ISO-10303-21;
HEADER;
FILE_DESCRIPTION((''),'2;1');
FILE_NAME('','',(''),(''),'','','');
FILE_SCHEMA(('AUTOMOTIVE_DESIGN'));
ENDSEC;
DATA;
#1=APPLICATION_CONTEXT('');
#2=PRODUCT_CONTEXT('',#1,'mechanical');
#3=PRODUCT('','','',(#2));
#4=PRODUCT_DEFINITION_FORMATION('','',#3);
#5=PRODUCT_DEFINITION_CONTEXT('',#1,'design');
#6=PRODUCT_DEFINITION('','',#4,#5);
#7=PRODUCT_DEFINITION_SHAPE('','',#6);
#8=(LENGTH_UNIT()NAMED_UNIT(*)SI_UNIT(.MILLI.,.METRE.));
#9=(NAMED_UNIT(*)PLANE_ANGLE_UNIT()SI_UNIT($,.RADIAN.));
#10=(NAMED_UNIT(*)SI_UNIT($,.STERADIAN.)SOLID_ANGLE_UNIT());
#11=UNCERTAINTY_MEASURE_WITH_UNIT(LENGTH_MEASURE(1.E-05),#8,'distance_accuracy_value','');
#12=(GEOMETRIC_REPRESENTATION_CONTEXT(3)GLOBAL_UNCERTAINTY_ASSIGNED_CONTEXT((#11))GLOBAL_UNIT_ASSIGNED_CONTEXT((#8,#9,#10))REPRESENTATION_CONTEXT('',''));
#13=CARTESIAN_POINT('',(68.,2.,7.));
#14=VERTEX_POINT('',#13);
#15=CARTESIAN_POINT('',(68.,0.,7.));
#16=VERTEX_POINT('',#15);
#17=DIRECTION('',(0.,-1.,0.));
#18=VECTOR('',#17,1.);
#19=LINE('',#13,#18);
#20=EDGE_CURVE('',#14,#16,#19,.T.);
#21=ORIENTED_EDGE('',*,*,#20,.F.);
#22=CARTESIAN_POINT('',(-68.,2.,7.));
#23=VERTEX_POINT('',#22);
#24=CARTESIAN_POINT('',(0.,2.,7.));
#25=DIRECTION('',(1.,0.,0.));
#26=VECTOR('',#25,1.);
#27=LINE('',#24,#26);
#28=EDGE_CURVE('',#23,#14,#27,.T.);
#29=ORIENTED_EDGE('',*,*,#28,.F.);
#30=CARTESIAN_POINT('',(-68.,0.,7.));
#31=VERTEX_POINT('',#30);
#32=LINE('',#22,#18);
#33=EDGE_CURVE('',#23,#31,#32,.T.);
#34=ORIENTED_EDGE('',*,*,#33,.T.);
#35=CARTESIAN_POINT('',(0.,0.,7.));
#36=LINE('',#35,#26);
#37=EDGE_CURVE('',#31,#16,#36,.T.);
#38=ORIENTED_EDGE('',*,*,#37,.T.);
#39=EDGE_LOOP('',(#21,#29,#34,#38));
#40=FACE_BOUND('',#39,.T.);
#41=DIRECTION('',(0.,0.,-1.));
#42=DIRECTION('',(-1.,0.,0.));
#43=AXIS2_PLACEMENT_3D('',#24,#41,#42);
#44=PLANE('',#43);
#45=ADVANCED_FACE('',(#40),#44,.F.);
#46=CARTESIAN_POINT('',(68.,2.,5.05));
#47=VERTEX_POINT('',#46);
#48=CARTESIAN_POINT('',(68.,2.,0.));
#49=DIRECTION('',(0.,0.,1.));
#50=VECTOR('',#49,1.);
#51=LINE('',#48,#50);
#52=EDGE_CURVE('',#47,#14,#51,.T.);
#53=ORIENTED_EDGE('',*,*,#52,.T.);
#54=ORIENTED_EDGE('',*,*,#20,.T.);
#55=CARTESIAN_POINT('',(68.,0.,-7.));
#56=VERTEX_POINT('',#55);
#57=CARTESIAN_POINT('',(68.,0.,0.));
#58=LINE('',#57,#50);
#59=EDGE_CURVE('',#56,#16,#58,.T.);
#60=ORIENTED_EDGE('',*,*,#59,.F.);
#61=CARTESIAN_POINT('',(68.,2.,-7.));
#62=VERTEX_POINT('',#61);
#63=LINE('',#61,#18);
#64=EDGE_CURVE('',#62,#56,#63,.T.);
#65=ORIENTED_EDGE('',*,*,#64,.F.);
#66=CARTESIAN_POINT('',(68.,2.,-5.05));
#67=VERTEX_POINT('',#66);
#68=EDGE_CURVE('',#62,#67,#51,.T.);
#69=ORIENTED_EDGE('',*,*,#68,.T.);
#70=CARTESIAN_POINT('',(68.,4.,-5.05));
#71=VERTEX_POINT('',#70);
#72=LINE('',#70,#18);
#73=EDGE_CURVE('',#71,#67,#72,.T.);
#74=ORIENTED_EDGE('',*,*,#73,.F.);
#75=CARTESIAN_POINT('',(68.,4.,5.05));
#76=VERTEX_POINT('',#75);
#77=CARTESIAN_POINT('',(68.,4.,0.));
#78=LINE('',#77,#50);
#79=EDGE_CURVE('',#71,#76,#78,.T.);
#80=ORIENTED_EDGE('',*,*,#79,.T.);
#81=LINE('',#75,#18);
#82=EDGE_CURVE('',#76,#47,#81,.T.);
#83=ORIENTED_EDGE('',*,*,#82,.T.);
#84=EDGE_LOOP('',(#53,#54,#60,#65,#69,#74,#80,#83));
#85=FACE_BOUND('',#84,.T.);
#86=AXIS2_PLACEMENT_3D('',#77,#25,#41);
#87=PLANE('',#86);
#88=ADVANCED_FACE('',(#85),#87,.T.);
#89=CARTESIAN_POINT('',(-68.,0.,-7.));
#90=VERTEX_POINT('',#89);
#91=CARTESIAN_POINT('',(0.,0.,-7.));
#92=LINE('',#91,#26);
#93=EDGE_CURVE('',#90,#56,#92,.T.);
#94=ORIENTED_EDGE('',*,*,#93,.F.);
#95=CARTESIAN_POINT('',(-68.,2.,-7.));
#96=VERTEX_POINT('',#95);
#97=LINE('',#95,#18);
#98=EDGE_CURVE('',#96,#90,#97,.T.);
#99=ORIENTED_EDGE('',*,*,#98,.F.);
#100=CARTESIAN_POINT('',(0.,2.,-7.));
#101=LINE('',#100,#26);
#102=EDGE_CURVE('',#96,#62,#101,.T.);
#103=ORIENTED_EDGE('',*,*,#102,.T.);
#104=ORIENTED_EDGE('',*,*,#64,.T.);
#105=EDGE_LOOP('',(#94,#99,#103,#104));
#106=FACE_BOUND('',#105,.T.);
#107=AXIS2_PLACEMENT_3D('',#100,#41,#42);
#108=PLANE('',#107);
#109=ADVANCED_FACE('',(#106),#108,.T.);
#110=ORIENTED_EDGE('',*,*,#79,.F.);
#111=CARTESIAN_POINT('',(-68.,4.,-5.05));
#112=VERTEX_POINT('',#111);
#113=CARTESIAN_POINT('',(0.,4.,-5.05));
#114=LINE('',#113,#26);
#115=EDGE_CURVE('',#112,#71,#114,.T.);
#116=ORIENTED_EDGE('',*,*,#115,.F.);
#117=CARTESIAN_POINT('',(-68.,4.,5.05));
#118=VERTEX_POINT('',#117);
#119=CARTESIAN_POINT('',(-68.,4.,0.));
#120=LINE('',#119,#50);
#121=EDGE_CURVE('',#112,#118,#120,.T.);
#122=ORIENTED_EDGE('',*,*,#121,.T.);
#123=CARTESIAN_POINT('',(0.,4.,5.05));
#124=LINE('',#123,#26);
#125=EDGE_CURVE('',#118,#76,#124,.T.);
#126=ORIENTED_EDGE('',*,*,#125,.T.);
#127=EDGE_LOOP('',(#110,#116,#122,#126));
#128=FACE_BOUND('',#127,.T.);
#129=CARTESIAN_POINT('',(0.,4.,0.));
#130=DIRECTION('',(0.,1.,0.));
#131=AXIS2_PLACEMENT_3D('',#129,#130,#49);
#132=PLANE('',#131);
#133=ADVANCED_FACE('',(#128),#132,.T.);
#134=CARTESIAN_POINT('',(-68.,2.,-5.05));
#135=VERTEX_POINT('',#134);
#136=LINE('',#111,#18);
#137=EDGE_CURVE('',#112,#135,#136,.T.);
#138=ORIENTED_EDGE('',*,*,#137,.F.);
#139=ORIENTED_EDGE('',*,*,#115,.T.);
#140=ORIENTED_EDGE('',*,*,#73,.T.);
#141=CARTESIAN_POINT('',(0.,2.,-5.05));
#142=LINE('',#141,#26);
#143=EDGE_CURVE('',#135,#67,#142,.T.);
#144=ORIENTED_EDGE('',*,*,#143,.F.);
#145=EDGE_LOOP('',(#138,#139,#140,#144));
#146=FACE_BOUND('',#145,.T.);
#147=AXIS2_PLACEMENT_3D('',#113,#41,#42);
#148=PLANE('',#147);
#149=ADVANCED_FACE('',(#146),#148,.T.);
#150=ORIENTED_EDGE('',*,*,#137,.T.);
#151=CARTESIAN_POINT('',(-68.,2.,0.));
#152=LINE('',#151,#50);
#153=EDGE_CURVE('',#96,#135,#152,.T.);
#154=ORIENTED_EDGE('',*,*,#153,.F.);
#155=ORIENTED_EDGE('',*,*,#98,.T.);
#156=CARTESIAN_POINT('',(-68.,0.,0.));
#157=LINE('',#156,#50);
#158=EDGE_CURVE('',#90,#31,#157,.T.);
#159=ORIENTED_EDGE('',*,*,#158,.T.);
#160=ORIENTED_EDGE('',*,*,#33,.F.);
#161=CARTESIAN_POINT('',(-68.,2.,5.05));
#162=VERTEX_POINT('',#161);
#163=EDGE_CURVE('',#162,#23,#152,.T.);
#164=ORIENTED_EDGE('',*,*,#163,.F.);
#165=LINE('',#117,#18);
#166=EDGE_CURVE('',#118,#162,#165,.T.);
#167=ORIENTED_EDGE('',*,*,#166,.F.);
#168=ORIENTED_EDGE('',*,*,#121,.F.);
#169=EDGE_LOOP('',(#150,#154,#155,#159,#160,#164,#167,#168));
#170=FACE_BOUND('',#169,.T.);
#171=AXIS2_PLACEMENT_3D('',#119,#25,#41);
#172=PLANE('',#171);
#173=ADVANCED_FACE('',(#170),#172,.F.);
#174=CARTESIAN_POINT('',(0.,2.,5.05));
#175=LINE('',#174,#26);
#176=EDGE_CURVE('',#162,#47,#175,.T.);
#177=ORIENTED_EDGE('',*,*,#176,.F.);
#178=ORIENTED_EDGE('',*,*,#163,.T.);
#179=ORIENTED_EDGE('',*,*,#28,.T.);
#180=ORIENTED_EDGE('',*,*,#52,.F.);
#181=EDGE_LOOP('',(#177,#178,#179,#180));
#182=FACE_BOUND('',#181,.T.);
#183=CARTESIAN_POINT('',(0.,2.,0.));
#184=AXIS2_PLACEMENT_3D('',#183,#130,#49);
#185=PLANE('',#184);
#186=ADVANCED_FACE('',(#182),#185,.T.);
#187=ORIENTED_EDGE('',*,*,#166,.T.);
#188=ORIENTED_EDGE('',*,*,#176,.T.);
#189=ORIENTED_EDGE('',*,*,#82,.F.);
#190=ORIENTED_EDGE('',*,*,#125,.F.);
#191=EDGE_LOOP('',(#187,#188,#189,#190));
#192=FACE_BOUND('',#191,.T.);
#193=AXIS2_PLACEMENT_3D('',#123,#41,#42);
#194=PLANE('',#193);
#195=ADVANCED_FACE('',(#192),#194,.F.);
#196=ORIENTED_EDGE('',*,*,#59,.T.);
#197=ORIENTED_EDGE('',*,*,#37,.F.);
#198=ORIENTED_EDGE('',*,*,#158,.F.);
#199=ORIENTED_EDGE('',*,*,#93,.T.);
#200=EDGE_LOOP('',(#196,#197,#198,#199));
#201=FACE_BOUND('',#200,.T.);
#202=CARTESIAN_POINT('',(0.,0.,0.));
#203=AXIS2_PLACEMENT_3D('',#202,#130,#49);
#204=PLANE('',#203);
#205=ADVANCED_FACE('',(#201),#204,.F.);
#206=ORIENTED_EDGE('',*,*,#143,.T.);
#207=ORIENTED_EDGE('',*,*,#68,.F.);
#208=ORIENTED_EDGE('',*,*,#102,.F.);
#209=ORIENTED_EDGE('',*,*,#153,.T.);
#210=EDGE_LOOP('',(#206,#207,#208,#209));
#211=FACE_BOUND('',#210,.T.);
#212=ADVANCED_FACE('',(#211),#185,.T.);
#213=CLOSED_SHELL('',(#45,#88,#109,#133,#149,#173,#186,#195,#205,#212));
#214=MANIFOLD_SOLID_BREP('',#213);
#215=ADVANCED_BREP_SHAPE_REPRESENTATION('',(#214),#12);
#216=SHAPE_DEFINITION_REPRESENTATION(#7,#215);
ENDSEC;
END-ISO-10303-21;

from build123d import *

# Parameters (mm, degrees)
SKETCH2_W            = 136
SKETCH2_H            = 10.1
MIDDLE_EXTRUDE_DEPTH = 4
SKETCH2_4_W          = 136
SKETCH2_4_H          = 1.95
MAIN_EXTRUDE_DEPTH   = 2


with BuildPart() as part:
    # Sketch2 → Middle Extrude (new body)
    with BuildSketch(Plane(origin=(0, 0, 0), x_dir=(1, 0, 0), z_dir=(0, 1, 0))):
        Rectangle(SKETCH2_W, SKETCH2_H)
    extrude(amount=MIDDLE_EXTRUDE_DEPTH)

    # Sketch2<4> → Main Extrude (add)
    with BuildSketch(Plane(origin=(0, 0, 0), x_dir=(1, 0, 0), z_dir=(0, 1, 0))):
        with Locations((0, -6.025)):
            Rectangle(SKETCH2_4_W, SKETCH2_4_H)
        with Locations((0, 6.025)):
            Rectangle(SKETCH2_4_W, SKETCH2_4_H)
    extrude(amount=MAIN_EXTRUDE_DEPTH)


solid = part.part
